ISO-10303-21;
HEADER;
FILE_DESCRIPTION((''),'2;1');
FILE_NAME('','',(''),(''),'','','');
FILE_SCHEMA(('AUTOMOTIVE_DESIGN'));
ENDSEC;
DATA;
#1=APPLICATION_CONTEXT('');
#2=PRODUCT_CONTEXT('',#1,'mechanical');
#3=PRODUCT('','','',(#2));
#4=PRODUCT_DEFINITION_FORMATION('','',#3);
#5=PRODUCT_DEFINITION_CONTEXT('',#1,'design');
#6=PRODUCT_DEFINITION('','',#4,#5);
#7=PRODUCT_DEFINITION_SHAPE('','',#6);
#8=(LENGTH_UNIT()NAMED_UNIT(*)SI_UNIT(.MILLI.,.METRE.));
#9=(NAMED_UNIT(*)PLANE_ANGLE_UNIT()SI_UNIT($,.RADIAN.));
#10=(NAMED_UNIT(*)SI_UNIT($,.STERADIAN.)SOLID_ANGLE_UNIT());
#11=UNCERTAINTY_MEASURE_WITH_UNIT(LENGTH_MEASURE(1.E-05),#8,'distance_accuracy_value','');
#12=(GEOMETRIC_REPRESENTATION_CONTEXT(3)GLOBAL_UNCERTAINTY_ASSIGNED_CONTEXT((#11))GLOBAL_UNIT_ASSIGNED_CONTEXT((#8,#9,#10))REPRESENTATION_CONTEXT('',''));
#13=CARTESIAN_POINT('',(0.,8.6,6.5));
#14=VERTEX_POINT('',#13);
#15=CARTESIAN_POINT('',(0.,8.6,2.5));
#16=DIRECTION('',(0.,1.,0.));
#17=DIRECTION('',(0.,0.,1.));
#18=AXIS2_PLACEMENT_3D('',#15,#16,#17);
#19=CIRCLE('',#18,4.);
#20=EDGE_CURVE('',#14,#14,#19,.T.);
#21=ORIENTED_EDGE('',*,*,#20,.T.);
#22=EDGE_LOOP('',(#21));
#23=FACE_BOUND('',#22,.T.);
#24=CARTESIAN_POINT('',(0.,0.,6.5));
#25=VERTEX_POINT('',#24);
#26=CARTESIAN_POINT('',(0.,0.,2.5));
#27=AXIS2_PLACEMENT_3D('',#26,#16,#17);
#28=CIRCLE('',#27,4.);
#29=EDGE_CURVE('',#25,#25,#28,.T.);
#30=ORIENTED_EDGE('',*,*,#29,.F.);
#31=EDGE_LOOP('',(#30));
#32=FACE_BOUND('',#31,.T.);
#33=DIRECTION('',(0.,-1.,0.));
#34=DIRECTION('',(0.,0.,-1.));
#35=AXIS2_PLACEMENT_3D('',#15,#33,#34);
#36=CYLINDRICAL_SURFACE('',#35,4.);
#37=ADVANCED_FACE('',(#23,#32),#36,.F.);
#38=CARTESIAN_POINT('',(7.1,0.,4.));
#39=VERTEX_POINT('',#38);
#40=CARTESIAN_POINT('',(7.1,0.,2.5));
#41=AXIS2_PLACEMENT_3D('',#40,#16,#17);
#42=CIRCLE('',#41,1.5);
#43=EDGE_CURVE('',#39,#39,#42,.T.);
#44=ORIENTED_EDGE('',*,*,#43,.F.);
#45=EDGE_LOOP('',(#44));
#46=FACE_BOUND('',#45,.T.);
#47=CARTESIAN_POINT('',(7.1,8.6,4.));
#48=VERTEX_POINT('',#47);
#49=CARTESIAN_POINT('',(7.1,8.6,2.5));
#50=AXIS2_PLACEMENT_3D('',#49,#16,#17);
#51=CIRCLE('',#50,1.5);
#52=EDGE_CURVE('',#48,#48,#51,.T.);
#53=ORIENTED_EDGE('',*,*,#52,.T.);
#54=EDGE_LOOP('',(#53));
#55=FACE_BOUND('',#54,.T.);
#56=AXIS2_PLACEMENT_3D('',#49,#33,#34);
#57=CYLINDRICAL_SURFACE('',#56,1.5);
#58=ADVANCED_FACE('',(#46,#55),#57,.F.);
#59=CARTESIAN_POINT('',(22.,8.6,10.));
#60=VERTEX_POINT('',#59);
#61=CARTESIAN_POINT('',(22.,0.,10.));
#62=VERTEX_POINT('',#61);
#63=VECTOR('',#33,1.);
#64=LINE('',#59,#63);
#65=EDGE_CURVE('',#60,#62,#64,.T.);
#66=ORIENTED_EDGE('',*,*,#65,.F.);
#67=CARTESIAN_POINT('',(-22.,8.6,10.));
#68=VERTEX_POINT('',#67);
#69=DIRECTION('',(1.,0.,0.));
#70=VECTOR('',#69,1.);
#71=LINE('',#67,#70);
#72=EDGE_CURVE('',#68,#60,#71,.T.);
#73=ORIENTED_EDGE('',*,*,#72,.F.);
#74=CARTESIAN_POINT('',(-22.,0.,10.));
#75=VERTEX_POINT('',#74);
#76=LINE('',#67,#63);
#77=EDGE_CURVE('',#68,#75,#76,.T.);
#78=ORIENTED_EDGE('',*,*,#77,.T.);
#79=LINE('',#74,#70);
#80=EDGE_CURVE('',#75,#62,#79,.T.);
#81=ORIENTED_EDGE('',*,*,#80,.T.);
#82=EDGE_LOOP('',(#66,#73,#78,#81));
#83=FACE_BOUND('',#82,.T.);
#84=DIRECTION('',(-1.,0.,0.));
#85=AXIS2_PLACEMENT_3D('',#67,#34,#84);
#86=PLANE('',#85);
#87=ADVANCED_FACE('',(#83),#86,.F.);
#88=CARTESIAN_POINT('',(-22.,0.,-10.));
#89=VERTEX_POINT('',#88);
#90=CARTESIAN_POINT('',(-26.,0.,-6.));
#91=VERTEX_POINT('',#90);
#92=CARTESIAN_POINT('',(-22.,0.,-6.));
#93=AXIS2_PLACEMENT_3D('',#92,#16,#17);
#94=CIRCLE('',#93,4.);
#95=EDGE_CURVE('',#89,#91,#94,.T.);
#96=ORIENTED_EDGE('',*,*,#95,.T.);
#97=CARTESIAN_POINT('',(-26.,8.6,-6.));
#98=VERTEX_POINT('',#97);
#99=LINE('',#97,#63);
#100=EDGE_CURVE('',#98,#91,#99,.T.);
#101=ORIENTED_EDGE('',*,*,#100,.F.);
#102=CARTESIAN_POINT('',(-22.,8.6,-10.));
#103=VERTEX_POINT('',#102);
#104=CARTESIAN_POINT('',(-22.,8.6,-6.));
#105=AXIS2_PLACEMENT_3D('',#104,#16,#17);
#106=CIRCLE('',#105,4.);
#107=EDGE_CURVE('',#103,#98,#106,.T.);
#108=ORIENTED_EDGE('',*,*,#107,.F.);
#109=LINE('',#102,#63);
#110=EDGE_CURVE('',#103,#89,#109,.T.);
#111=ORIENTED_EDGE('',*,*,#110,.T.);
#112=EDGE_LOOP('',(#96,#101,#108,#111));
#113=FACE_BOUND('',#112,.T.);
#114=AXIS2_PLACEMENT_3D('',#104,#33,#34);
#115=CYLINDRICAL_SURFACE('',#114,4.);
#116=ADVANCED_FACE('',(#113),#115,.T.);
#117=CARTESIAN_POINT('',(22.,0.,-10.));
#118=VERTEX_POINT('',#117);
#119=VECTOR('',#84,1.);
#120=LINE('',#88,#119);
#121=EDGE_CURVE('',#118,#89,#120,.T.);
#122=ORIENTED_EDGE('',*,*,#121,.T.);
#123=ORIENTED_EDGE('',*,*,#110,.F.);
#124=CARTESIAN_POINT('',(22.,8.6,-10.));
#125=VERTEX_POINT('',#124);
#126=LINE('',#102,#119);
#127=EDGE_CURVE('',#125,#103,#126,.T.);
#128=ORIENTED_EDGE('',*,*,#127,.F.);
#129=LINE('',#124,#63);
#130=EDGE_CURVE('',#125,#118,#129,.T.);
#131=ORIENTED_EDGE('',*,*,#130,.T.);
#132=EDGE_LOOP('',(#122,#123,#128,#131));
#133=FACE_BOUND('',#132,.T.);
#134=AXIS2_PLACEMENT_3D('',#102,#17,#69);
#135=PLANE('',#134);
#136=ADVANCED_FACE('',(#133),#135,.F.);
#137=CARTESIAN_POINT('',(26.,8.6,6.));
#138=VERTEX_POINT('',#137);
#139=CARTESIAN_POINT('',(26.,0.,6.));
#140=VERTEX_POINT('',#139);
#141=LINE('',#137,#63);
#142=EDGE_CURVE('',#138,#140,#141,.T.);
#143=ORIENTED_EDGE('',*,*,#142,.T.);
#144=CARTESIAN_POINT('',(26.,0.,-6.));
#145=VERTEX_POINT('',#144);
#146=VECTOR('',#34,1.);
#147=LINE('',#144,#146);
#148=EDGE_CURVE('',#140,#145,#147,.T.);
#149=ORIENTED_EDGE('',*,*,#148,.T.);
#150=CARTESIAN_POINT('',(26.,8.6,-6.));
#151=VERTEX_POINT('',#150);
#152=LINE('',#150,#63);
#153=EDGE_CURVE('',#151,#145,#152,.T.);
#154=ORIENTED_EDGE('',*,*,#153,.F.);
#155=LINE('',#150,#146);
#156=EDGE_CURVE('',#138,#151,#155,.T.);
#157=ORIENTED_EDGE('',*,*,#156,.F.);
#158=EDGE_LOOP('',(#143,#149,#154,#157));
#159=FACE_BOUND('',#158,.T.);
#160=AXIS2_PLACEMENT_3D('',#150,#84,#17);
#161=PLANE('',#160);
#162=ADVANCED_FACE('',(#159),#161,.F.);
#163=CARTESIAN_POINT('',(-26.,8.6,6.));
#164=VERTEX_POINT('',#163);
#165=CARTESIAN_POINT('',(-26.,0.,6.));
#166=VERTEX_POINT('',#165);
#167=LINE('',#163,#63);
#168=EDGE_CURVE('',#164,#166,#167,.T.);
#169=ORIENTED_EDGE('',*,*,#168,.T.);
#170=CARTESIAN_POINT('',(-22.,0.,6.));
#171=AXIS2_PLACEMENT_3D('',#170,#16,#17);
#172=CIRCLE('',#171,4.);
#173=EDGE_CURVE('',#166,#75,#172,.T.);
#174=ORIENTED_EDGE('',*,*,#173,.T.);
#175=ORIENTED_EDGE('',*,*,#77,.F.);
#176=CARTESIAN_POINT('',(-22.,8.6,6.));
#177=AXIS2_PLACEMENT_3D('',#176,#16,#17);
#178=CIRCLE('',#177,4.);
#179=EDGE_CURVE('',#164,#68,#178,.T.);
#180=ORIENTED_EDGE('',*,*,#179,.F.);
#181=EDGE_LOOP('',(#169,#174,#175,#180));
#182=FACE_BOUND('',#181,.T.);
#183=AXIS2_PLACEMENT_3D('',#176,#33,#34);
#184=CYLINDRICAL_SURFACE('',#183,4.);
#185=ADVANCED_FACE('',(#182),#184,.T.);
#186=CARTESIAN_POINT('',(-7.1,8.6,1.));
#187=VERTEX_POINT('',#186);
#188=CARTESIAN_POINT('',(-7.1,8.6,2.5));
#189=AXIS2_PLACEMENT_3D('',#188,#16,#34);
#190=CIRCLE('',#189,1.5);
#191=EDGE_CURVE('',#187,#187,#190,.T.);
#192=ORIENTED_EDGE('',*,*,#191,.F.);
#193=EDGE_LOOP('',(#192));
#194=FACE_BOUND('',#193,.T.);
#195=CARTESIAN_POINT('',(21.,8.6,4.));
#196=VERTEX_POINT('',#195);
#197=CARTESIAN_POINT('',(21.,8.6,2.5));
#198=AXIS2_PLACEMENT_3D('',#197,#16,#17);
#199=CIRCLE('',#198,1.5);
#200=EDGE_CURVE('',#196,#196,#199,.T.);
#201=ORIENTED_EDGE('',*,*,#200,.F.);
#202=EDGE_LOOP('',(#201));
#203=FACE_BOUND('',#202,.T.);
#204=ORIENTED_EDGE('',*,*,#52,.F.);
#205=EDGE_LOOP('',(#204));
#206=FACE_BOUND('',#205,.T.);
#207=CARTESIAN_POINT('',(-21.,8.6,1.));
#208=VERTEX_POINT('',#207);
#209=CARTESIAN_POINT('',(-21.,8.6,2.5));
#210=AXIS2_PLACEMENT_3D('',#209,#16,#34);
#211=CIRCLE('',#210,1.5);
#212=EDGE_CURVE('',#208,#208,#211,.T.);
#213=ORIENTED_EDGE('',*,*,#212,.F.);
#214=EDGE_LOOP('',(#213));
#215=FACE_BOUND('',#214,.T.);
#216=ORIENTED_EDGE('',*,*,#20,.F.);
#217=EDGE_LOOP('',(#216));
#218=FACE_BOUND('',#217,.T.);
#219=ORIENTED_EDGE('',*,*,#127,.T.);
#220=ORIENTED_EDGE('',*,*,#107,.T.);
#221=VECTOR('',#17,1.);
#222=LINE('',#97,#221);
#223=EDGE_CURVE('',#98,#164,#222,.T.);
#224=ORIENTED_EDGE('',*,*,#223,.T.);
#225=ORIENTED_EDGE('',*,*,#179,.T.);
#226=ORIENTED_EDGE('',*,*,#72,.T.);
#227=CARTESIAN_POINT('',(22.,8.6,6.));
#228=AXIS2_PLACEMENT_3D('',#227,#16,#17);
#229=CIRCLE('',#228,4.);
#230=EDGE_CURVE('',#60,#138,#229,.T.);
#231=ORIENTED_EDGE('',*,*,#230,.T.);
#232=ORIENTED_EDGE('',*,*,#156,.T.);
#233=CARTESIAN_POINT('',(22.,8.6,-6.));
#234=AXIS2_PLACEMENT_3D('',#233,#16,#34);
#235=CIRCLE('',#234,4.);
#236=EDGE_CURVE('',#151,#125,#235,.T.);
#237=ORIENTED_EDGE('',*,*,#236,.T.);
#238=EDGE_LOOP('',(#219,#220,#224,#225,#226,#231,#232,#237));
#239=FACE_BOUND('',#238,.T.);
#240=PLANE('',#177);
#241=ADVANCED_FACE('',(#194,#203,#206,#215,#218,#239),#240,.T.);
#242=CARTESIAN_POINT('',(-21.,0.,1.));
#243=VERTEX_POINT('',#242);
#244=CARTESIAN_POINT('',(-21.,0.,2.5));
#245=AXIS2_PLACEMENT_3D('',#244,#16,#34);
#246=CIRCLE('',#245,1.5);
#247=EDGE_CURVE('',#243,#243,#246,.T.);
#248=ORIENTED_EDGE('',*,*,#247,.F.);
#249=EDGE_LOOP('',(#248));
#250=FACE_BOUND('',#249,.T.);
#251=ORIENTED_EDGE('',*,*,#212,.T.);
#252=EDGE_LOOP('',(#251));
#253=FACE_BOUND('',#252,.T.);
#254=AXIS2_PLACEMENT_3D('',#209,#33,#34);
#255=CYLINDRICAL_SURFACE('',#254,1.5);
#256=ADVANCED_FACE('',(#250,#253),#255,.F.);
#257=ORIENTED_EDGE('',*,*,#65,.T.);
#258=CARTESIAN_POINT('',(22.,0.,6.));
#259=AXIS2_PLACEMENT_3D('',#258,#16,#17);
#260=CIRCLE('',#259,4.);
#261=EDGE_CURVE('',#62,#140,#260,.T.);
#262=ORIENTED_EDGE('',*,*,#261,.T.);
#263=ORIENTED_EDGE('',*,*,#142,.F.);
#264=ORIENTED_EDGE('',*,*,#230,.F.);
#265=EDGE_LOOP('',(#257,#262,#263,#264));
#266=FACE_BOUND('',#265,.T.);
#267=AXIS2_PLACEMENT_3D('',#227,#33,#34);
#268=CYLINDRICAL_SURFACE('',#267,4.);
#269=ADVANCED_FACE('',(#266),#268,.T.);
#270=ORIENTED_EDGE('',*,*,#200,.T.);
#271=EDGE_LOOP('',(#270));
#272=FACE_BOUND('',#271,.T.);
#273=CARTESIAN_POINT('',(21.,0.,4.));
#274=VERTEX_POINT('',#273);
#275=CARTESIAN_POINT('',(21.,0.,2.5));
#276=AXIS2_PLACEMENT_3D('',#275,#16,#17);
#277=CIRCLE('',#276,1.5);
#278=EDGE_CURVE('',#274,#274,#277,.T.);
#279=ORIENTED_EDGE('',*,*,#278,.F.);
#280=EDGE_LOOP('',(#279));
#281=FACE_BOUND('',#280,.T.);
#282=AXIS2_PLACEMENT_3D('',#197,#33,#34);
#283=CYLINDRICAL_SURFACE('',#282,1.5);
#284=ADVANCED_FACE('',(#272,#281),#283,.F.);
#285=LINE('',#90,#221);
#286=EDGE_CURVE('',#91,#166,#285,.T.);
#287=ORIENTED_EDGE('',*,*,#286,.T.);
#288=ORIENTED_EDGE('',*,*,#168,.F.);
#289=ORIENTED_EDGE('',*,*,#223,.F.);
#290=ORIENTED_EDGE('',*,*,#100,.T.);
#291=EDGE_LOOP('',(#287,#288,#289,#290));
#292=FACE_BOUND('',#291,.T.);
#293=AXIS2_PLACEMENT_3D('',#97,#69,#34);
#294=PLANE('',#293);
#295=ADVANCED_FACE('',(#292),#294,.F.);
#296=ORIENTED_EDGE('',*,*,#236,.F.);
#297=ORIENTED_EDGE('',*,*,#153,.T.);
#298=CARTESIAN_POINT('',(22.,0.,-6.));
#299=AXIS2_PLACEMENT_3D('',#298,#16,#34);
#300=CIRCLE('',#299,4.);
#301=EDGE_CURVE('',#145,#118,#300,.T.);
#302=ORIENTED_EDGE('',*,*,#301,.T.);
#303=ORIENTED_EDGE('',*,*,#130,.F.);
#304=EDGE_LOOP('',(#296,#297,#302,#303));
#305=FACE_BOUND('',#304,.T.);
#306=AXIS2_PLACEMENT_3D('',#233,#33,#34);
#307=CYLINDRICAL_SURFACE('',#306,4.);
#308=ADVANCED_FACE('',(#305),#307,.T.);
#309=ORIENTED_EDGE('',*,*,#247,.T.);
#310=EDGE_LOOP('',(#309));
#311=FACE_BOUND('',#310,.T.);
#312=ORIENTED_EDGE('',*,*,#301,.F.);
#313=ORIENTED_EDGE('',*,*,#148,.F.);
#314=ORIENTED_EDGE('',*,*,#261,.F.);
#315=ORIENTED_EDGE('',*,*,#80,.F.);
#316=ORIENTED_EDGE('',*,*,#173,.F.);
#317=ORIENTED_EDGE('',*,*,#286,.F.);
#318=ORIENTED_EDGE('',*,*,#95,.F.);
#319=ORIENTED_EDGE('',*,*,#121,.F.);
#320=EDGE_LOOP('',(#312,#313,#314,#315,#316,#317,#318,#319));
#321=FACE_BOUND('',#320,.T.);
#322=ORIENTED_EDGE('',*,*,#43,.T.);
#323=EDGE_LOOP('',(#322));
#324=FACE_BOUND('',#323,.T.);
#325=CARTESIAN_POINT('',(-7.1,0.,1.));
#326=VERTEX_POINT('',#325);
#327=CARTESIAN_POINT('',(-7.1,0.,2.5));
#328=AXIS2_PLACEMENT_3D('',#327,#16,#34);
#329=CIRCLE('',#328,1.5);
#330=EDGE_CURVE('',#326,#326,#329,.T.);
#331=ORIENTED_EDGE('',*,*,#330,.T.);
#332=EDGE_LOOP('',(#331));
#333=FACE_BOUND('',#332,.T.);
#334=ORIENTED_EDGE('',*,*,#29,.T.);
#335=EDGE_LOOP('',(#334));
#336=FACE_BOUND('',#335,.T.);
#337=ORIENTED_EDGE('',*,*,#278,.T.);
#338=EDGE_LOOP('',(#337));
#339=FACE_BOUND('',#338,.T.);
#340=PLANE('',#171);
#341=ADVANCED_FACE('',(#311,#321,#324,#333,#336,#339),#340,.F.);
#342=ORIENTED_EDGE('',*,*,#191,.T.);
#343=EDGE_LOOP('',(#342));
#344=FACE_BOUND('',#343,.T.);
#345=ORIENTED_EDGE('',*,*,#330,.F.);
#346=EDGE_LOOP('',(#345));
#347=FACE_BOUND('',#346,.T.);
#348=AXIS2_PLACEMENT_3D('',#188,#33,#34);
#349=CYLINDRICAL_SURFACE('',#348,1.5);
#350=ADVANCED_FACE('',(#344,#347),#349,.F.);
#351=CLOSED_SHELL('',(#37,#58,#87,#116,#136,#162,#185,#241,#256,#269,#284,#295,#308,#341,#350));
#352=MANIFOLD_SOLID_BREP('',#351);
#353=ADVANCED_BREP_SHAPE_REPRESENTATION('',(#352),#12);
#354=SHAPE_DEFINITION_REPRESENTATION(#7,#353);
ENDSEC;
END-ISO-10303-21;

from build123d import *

# Parameters (mm, degrees)
SKETCH1_R           = 4
SKETCH1_R_2         = 1.5
BOSS_EXTRUDE1_DEPTH = 8.6


with BuildPart() as part:
    # Sketch1 → Boss-Extrude1 (new body)
    with BuildSketch(Plane(origin=(0, 0, 0), x_dir=(1, 0, 0), z_dir=(0, 1, 0))):
        with BuildLine():
            Line((-22, 10), (22, 10))
            ThreePointArc((22, 10), (24.828427125, 8.828427125), (26, 6))
            Line((26, 6), (26, -6))
            ThreePointArc((26, -6), (24.828427125, -8.828427125), (22, -10))
            Line((22, -10), (-22, -10))
            ThreePointArc((-22, -10), (-24.828427125, -8.828427125), (-26, -6))
            Line((-26, -6), (-26, 6))
            ThreePointArc((-26, 6), (-24.828427125, 8.828427125), (-22, 10))
        make_face()
        with Locations((0, -2.5)):
            Circle(SKETCH1_R, mode=Mode.SUBTRACT)
        with Locations((7.1, -2.5)):
            Circle(SKETCH1_R_2, mode=Mode.SUBTRACT)
        with Locations((21, -2.5)):
            Circle(SKETCH1_R_2, mode=Mode.SUBTRACT)
        with Locations((-21, -2.5)):
            Circle(SKETCH1_R_2, mode=Mode.SUBTRACT)
        with Locations((-7.1, -2.5)):
            Circle(SKETCH1_R_2, mode=Mode.SUBTRACT)
    extrude(amount=BOSS_EXTRUDE1_DEPTH)


solid = part.part
